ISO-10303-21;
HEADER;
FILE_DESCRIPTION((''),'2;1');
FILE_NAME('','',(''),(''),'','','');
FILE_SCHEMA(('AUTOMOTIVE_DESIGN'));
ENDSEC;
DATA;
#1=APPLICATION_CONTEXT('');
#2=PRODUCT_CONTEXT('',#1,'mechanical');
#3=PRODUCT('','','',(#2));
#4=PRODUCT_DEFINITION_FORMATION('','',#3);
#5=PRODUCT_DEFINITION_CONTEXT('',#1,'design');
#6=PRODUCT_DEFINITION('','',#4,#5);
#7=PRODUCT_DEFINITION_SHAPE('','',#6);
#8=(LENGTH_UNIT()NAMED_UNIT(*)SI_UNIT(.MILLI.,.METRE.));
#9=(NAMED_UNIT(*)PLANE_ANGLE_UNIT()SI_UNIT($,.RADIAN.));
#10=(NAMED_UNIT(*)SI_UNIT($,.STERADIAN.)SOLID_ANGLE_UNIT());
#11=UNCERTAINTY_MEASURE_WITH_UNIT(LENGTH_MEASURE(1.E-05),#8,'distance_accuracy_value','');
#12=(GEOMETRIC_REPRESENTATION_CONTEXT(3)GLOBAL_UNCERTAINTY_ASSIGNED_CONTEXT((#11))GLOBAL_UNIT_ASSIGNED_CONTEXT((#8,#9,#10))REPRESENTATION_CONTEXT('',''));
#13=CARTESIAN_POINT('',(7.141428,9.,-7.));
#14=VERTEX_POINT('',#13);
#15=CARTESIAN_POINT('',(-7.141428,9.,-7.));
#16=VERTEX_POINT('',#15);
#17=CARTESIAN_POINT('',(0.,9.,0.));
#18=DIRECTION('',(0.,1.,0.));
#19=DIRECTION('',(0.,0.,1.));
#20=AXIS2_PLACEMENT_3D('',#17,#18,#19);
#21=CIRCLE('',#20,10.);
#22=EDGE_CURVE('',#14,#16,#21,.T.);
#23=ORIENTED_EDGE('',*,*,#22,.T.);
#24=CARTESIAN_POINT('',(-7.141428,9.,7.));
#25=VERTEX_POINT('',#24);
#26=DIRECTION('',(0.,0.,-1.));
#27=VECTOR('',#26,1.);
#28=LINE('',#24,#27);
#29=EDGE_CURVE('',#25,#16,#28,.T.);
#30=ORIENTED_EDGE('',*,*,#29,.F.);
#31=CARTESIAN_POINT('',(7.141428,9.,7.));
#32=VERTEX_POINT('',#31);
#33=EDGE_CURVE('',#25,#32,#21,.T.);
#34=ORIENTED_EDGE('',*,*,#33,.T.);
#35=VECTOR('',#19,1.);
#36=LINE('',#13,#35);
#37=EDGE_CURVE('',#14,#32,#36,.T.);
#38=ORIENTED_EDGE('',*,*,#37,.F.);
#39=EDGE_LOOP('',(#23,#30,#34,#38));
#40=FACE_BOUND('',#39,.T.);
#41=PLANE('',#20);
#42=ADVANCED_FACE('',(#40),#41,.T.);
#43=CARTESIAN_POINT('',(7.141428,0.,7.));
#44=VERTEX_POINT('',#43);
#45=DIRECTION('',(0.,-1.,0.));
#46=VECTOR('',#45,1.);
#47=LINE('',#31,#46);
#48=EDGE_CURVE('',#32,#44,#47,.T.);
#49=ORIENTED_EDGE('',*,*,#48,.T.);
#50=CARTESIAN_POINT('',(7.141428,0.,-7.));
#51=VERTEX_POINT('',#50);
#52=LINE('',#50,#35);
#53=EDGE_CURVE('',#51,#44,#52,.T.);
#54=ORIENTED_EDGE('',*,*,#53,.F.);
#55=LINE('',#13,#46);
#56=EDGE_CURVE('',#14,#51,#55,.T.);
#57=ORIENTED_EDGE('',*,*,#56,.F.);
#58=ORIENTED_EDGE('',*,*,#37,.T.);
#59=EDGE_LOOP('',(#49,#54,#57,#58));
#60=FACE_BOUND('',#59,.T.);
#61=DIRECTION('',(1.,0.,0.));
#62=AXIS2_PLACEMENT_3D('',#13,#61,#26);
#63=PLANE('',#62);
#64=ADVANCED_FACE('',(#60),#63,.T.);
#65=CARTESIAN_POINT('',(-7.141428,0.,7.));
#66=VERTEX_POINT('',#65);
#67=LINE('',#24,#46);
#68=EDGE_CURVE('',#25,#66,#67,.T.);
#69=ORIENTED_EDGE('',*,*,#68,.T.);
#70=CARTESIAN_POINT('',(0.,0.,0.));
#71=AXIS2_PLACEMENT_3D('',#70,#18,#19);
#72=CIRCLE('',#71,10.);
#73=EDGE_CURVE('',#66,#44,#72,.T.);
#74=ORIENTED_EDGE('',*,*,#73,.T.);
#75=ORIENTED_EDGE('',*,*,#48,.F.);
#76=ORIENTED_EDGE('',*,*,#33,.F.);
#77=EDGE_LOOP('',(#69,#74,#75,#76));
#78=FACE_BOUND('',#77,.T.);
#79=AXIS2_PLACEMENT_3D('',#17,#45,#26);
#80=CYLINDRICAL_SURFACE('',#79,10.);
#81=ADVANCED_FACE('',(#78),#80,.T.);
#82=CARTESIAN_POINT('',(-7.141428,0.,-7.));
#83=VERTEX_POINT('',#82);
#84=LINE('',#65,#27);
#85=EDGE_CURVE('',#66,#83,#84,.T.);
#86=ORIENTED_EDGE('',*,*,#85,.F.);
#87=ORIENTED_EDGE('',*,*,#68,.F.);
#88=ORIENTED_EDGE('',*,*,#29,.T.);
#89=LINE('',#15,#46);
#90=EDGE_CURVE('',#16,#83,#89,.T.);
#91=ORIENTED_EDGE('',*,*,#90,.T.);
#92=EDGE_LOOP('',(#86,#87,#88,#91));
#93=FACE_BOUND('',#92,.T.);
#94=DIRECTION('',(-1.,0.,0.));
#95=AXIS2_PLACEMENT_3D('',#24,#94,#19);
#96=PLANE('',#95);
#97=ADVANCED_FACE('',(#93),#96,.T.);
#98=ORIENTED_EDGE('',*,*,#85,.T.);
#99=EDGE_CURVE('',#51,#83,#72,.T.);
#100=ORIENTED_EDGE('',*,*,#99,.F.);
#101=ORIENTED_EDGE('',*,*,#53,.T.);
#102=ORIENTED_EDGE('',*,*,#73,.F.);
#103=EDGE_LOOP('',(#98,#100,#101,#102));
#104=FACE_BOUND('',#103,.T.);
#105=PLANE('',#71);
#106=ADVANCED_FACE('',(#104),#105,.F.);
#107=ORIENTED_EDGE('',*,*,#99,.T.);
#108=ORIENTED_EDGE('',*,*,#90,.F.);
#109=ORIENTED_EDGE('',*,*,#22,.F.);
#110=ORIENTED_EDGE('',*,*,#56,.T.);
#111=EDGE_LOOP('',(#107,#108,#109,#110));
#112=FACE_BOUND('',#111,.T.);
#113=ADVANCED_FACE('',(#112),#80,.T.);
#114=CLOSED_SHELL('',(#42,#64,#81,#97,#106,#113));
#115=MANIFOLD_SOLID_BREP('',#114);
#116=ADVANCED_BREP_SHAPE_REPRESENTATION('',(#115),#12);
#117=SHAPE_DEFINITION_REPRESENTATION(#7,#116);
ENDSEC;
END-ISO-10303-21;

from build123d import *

# Parameters (mm, degrees)
AUFSATZ_LINEAR_AUSTRAGEN1_DEPTH = 9


with BuildPart() as part:
    # Skizze1 → Aufsatz-Linear austragen1 (new body)
    with BuildSketch(Plane(origin=(0, 0, 0), x_dir=(1, 0, 0), z_dir=(0, 1, 0))):
        with BuildLine():
            Line((7.141428429, 7), (7.141428429, -7))
            ThreePointArc((7.141428429, -7), (0, -10), (-7.141428429, -7))
            Line((-7.141428429, -7), (-7.141428429, 7))
            ThreePointArc((-7.141428429, 7), (0, 10), (7.141428429, 7))
        make_face()
    extrude(amount=AUFSATZ_LINEAR_AUSTRAGEN1_DEPTH)


solid = part.part
